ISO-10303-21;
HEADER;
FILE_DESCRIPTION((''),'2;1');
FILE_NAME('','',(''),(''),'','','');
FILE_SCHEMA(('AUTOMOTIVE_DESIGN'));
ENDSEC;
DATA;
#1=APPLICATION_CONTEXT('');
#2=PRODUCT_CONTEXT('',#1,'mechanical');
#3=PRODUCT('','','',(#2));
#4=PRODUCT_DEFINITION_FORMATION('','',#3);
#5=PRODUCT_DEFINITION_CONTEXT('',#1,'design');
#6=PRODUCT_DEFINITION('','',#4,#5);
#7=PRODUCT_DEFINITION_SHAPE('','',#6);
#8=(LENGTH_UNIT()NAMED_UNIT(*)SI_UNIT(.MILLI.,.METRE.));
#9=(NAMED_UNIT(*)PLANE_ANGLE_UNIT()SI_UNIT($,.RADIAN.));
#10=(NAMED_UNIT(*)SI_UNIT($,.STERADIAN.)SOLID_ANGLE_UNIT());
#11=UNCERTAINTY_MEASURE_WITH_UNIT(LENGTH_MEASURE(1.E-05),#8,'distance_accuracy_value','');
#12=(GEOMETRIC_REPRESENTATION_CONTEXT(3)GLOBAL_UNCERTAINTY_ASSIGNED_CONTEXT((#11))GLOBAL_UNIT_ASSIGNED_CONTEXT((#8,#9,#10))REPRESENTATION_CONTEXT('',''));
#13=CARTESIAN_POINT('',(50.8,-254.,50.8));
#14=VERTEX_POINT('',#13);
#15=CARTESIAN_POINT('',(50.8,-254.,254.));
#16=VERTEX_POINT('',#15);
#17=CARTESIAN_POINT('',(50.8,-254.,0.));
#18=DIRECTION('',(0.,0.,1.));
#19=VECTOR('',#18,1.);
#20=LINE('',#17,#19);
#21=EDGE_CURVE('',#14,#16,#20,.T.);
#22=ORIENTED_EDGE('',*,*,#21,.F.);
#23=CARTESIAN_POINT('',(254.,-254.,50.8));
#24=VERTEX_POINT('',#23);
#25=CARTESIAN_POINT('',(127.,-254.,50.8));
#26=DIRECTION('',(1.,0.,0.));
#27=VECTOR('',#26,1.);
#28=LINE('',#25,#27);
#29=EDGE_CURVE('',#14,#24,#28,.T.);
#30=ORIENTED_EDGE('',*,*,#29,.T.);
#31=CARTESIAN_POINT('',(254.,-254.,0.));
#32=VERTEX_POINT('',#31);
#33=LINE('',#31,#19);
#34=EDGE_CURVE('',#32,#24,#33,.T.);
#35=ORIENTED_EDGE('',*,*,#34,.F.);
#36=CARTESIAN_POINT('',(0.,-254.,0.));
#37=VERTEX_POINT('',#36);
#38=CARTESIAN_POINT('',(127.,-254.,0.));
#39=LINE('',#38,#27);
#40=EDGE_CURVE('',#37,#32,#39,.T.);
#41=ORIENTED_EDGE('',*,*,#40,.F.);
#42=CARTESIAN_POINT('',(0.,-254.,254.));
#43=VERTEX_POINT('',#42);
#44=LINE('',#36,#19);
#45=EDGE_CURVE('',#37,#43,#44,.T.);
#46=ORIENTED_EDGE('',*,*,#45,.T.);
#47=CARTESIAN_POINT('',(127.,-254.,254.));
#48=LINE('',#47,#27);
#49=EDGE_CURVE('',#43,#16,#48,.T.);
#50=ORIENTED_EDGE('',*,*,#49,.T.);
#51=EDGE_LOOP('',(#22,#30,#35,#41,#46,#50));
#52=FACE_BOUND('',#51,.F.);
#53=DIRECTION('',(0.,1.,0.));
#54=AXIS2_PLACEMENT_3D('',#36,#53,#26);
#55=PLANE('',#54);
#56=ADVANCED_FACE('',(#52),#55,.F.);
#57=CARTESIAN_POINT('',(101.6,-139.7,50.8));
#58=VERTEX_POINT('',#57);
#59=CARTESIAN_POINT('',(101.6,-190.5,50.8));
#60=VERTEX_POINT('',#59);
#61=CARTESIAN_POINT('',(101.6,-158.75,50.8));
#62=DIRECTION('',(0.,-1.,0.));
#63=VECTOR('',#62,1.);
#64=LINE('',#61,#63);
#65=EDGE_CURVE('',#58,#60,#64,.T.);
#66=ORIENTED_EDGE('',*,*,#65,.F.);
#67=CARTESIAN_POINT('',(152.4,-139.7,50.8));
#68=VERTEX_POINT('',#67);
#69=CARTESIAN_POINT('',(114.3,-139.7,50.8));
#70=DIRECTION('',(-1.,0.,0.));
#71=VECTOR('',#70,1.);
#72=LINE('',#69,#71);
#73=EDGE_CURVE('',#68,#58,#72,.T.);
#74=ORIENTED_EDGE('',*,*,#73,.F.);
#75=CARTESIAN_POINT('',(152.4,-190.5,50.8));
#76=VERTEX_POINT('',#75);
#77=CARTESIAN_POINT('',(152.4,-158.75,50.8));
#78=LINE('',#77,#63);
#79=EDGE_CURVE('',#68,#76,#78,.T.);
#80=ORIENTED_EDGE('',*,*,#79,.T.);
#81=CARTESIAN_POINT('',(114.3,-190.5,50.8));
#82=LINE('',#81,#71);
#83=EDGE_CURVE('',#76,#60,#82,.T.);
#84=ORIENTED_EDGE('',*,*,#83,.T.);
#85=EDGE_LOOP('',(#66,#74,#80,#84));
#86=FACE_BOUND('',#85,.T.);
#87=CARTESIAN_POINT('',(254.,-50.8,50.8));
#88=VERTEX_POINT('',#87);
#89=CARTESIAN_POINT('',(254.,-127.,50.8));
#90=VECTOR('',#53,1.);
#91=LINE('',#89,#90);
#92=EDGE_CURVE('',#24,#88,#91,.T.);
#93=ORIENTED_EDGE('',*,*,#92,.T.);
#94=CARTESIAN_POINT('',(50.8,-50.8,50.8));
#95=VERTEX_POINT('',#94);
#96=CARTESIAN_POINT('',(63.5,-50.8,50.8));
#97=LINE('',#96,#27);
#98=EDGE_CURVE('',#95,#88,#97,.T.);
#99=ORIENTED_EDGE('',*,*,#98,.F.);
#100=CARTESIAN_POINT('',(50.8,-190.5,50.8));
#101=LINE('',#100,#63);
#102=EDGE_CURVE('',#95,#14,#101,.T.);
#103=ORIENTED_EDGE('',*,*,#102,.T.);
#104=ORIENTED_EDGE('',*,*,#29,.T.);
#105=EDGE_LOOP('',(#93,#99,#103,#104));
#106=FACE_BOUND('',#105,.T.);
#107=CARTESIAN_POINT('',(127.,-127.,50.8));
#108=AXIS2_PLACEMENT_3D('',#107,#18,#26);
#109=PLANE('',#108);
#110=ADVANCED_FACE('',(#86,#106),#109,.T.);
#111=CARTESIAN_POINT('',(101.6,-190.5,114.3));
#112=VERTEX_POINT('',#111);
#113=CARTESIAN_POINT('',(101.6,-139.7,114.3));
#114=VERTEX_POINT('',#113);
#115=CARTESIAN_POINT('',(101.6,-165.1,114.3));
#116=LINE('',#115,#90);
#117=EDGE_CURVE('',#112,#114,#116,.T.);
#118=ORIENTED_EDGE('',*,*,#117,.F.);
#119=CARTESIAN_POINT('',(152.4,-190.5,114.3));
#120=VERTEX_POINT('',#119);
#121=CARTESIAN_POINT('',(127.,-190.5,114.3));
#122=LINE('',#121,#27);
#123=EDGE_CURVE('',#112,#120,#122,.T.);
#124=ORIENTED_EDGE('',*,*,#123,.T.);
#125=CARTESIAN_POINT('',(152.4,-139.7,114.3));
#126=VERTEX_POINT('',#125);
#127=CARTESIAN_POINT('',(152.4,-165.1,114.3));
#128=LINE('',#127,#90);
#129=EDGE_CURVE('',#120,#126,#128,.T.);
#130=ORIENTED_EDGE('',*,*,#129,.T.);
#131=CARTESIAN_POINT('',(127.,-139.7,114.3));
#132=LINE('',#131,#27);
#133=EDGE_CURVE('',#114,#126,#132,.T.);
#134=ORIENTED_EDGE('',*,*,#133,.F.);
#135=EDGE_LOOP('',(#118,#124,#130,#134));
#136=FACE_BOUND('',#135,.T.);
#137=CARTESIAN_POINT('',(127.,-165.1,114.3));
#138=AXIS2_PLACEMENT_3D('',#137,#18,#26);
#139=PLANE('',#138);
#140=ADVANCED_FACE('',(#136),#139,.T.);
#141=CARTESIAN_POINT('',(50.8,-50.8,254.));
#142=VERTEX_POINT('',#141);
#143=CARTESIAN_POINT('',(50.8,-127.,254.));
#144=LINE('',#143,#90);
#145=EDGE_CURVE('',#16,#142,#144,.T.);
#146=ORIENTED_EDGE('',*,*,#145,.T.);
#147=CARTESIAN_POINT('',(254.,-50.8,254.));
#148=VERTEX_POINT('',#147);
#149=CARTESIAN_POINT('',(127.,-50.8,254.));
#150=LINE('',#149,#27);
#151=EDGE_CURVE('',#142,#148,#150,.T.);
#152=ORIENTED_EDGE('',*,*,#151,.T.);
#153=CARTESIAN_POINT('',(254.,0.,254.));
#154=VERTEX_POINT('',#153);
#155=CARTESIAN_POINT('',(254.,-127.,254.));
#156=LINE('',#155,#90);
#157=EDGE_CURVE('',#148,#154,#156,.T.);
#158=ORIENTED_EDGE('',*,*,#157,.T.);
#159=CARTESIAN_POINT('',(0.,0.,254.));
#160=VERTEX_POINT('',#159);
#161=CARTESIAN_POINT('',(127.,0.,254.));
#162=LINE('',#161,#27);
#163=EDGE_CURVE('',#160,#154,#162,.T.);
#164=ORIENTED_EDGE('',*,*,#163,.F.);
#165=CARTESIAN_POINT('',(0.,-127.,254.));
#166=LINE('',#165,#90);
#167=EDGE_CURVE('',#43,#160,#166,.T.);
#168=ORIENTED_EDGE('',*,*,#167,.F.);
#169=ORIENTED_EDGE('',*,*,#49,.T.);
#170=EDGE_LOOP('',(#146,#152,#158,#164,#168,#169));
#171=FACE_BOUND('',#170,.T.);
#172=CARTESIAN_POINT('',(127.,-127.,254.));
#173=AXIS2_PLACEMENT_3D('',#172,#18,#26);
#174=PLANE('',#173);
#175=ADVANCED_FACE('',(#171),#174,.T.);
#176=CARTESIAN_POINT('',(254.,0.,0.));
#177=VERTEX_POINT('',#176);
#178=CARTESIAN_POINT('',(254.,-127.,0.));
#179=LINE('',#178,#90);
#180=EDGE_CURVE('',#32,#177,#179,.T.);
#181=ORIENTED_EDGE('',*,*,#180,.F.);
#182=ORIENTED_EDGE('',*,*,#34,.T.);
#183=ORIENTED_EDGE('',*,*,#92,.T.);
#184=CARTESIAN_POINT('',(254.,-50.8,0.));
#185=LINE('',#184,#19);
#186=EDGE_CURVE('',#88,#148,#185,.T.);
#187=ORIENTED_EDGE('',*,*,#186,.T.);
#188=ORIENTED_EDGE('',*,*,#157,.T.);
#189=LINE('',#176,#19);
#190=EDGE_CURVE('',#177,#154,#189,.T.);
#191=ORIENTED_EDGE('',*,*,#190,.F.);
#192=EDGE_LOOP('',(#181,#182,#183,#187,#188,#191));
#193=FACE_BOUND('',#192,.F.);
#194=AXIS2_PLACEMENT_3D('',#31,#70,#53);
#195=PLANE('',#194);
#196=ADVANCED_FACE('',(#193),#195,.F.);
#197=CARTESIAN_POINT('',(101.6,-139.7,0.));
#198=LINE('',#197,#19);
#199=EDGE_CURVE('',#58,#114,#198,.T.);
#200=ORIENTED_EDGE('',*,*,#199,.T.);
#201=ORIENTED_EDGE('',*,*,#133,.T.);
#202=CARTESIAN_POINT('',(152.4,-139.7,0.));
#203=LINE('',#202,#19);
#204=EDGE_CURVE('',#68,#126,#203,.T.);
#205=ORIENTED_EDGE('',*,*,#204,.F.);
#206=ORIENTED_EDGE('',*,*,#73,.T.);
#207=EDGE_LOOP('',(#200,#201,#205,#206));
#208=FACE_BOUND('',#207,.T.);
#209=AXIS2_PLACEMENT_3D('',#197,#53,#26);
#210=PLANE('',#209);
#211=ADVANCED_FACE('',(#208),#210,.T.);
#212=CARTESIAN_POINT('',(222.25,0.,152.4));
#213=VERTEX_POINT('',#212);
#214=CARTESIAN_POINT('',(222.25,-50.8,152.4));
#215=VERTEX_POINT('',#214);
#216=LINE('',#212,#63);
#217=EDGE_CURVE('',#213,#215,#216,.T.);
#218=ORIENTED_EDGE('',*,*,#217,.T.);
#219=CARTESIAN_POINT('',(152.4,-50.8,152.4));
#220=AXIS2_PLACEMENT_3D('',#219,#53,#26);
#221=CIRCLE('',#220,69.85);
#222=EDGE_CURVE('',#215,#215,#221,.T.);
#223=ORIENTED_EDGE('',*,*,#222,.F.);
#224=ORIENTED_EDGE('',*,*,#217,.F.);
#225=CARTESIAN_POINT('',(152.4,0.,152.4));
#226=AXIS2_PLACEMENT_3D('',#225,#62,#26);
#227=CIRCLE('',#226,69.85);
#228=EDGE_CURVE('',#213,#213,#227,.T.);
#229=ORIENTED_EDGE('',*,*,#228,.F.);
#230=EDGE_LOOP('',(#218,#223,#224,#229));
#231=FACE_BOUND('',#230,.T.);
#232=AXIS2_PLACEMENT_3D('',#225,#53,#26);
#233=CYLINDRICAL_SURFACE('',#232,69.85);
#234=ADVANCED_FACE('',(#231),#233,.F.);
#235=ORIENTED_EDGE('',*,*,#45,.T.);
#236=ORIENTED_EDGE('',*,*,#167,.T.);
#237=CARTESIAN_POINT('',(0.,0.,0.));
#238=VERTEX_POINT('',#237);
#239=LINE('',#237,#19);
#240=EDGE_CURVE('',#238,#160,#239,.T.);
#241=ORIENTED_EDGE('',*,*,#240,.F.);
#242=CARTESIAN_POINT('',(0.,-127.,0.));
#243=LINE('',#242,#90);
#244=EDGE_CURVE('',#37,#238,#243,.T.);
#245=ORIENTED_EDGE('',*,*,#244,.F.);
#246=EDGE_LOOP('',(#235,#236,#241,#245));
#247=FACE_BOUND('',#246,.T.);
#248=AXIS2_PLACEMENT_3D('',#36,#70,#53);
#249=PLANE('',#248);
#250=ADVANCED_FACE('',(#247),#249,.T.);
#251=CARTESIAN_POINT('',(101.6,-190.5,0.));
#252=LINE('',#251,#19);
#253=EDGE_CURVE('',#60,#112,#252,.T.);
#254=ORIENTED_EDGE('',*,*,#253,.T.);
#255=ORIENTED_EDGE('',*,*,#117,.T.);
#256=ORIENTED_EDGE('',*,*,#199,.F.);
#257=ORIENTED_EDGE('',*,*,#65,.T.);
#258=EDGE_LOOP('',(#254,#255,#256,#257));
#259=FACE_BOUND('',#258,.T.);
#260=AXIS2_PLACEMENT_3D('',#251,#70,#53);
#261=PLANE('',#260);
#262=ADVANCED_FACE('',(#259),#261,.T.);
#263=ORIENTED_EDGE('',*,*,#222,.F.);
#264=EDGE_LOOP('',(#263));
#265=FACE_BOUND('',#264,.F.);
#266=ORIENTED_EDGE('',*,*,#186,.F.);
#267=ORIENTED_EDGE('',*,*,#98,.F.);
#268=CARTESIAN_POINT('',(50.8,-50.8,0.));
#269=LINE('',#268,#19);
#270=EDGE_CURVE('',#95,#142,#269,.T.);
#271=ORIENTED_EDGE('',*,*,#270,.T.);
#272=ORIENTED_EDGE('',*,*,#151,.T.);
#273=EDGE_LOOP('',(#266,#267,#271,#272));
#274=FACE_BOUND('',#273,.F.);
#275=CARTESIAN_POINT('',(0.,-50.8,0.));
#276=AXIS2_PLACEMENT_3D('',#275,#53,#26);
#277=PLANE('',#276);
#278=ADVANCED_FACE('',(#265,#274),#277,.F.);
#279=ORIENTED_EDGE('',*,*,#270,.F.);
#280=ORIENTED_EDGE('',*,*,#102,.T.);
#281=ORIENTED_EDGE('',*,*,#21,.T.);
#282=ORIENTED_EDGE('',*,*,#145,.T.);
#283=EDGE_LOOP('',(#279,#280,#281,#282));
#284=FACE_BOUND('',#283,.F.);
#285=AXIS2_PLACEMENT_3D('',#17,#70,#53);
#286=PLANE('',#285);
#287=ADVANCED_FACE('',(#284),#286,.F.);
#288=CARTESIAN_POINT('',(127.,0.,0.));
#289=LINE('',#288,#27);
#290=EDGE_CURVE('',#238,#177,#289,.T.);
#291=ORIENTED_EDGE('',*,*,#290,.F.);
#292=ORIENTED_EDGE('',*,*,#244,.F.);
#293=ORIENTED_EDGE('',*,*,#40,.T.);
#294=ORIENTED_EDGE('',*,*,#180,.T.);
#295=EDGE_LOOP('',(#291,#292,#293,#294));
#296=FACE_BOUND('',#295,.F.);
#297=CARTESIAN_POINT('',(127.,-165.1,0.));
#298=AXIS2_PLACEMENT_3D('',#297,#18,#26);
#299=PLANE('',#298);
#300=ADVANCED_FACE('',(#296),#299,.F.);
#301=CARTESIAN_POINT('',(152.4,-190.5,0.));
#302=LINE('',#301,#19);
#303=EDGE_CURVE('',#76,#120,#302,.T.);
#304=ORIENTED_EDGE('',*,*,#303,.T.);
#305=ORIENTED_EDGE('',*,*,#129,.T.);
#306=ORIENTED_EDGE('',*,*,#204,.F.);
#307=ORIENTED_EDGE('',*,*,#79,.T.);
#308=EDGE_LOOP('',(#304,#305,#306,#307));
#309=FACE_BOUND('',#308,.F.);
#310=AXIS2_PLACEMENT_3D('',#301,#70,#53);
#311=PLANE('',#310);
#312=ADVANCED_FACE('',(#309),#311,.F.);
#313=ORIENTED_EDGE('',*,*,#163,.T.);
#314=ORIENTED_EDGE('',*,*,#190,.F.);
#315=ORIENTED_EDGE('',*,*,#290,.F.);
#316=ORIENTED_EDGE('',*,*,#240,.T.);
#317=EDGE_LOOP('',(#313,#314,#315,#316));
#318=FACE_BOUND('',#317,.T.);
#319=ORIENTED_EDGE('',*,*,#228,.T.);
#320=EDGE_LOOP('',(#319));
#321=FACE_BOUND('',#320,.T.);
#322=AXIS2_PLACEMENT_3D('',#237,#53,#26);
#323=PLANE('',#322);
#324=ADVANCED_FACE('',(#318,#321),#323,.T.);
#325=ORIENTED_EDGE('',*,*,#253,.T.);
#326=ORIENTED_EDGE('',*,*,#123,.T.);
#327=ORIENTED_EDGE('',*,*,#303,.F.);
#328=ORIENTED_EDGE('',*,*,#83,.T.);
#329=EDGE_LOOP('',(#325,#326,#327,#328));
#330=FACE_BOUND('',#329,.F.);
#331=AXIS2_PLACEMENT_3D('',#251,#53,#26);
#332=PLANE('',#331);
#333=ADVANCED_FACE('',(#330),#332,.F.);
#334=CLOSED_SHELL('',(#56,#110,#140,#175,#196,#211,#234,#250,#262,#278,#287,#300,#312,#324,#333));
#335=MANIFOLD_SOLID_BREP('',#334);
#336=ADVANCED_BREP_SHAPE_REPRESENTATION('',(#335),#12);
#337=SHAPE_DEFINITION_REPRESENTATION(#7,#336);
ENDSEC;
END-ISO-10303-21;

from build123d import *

# Parameters (mm, degrees)
F0_W     = 254
F0_H     = 254
F1_DEPTH = 254
F4_T     = -50.8
F5_R     = 69.85
F6_DEPTH = 254.001
F7_W     = 50.8
F7_H     = 50.8
F8_DEPTH = 114.3


with BuildPart() as f1:
    # F0 (on Top) → F1 (new body)
    with BuildSketch(Plane.XY):
        with Locations((127, -127)):
            Rectangle(F0_W, F0_H)
    extrude(amount=F1_DEPTH)

    # F4
    f4_openings = [f1.faces().sort_by_distance(p)[0] for p in [
        (127, -254, 127),
        (254, -127, 127),
        (127, -127, 254),
    ]]
    offset(amount=F4_T, openings=f4_openings)

    # F5 (on Front) → F6 (cut, through all)
    with BuildSketch(Plane.XZ):
        with Locations((152.4, 152.4)):
            Circle(F5_R)
    extrude(amount=F6_DEPTH, mode=Mode.SUBTRACT)

    # F7 (on Top) → F8 (join)
    with BuildSketch(Plane.XY):
        with Locations((127, -165.1)):
            Rectangle(F7_W, F7_H)
    extrude(amount=F8_DEPTH)


solid = f1.part
